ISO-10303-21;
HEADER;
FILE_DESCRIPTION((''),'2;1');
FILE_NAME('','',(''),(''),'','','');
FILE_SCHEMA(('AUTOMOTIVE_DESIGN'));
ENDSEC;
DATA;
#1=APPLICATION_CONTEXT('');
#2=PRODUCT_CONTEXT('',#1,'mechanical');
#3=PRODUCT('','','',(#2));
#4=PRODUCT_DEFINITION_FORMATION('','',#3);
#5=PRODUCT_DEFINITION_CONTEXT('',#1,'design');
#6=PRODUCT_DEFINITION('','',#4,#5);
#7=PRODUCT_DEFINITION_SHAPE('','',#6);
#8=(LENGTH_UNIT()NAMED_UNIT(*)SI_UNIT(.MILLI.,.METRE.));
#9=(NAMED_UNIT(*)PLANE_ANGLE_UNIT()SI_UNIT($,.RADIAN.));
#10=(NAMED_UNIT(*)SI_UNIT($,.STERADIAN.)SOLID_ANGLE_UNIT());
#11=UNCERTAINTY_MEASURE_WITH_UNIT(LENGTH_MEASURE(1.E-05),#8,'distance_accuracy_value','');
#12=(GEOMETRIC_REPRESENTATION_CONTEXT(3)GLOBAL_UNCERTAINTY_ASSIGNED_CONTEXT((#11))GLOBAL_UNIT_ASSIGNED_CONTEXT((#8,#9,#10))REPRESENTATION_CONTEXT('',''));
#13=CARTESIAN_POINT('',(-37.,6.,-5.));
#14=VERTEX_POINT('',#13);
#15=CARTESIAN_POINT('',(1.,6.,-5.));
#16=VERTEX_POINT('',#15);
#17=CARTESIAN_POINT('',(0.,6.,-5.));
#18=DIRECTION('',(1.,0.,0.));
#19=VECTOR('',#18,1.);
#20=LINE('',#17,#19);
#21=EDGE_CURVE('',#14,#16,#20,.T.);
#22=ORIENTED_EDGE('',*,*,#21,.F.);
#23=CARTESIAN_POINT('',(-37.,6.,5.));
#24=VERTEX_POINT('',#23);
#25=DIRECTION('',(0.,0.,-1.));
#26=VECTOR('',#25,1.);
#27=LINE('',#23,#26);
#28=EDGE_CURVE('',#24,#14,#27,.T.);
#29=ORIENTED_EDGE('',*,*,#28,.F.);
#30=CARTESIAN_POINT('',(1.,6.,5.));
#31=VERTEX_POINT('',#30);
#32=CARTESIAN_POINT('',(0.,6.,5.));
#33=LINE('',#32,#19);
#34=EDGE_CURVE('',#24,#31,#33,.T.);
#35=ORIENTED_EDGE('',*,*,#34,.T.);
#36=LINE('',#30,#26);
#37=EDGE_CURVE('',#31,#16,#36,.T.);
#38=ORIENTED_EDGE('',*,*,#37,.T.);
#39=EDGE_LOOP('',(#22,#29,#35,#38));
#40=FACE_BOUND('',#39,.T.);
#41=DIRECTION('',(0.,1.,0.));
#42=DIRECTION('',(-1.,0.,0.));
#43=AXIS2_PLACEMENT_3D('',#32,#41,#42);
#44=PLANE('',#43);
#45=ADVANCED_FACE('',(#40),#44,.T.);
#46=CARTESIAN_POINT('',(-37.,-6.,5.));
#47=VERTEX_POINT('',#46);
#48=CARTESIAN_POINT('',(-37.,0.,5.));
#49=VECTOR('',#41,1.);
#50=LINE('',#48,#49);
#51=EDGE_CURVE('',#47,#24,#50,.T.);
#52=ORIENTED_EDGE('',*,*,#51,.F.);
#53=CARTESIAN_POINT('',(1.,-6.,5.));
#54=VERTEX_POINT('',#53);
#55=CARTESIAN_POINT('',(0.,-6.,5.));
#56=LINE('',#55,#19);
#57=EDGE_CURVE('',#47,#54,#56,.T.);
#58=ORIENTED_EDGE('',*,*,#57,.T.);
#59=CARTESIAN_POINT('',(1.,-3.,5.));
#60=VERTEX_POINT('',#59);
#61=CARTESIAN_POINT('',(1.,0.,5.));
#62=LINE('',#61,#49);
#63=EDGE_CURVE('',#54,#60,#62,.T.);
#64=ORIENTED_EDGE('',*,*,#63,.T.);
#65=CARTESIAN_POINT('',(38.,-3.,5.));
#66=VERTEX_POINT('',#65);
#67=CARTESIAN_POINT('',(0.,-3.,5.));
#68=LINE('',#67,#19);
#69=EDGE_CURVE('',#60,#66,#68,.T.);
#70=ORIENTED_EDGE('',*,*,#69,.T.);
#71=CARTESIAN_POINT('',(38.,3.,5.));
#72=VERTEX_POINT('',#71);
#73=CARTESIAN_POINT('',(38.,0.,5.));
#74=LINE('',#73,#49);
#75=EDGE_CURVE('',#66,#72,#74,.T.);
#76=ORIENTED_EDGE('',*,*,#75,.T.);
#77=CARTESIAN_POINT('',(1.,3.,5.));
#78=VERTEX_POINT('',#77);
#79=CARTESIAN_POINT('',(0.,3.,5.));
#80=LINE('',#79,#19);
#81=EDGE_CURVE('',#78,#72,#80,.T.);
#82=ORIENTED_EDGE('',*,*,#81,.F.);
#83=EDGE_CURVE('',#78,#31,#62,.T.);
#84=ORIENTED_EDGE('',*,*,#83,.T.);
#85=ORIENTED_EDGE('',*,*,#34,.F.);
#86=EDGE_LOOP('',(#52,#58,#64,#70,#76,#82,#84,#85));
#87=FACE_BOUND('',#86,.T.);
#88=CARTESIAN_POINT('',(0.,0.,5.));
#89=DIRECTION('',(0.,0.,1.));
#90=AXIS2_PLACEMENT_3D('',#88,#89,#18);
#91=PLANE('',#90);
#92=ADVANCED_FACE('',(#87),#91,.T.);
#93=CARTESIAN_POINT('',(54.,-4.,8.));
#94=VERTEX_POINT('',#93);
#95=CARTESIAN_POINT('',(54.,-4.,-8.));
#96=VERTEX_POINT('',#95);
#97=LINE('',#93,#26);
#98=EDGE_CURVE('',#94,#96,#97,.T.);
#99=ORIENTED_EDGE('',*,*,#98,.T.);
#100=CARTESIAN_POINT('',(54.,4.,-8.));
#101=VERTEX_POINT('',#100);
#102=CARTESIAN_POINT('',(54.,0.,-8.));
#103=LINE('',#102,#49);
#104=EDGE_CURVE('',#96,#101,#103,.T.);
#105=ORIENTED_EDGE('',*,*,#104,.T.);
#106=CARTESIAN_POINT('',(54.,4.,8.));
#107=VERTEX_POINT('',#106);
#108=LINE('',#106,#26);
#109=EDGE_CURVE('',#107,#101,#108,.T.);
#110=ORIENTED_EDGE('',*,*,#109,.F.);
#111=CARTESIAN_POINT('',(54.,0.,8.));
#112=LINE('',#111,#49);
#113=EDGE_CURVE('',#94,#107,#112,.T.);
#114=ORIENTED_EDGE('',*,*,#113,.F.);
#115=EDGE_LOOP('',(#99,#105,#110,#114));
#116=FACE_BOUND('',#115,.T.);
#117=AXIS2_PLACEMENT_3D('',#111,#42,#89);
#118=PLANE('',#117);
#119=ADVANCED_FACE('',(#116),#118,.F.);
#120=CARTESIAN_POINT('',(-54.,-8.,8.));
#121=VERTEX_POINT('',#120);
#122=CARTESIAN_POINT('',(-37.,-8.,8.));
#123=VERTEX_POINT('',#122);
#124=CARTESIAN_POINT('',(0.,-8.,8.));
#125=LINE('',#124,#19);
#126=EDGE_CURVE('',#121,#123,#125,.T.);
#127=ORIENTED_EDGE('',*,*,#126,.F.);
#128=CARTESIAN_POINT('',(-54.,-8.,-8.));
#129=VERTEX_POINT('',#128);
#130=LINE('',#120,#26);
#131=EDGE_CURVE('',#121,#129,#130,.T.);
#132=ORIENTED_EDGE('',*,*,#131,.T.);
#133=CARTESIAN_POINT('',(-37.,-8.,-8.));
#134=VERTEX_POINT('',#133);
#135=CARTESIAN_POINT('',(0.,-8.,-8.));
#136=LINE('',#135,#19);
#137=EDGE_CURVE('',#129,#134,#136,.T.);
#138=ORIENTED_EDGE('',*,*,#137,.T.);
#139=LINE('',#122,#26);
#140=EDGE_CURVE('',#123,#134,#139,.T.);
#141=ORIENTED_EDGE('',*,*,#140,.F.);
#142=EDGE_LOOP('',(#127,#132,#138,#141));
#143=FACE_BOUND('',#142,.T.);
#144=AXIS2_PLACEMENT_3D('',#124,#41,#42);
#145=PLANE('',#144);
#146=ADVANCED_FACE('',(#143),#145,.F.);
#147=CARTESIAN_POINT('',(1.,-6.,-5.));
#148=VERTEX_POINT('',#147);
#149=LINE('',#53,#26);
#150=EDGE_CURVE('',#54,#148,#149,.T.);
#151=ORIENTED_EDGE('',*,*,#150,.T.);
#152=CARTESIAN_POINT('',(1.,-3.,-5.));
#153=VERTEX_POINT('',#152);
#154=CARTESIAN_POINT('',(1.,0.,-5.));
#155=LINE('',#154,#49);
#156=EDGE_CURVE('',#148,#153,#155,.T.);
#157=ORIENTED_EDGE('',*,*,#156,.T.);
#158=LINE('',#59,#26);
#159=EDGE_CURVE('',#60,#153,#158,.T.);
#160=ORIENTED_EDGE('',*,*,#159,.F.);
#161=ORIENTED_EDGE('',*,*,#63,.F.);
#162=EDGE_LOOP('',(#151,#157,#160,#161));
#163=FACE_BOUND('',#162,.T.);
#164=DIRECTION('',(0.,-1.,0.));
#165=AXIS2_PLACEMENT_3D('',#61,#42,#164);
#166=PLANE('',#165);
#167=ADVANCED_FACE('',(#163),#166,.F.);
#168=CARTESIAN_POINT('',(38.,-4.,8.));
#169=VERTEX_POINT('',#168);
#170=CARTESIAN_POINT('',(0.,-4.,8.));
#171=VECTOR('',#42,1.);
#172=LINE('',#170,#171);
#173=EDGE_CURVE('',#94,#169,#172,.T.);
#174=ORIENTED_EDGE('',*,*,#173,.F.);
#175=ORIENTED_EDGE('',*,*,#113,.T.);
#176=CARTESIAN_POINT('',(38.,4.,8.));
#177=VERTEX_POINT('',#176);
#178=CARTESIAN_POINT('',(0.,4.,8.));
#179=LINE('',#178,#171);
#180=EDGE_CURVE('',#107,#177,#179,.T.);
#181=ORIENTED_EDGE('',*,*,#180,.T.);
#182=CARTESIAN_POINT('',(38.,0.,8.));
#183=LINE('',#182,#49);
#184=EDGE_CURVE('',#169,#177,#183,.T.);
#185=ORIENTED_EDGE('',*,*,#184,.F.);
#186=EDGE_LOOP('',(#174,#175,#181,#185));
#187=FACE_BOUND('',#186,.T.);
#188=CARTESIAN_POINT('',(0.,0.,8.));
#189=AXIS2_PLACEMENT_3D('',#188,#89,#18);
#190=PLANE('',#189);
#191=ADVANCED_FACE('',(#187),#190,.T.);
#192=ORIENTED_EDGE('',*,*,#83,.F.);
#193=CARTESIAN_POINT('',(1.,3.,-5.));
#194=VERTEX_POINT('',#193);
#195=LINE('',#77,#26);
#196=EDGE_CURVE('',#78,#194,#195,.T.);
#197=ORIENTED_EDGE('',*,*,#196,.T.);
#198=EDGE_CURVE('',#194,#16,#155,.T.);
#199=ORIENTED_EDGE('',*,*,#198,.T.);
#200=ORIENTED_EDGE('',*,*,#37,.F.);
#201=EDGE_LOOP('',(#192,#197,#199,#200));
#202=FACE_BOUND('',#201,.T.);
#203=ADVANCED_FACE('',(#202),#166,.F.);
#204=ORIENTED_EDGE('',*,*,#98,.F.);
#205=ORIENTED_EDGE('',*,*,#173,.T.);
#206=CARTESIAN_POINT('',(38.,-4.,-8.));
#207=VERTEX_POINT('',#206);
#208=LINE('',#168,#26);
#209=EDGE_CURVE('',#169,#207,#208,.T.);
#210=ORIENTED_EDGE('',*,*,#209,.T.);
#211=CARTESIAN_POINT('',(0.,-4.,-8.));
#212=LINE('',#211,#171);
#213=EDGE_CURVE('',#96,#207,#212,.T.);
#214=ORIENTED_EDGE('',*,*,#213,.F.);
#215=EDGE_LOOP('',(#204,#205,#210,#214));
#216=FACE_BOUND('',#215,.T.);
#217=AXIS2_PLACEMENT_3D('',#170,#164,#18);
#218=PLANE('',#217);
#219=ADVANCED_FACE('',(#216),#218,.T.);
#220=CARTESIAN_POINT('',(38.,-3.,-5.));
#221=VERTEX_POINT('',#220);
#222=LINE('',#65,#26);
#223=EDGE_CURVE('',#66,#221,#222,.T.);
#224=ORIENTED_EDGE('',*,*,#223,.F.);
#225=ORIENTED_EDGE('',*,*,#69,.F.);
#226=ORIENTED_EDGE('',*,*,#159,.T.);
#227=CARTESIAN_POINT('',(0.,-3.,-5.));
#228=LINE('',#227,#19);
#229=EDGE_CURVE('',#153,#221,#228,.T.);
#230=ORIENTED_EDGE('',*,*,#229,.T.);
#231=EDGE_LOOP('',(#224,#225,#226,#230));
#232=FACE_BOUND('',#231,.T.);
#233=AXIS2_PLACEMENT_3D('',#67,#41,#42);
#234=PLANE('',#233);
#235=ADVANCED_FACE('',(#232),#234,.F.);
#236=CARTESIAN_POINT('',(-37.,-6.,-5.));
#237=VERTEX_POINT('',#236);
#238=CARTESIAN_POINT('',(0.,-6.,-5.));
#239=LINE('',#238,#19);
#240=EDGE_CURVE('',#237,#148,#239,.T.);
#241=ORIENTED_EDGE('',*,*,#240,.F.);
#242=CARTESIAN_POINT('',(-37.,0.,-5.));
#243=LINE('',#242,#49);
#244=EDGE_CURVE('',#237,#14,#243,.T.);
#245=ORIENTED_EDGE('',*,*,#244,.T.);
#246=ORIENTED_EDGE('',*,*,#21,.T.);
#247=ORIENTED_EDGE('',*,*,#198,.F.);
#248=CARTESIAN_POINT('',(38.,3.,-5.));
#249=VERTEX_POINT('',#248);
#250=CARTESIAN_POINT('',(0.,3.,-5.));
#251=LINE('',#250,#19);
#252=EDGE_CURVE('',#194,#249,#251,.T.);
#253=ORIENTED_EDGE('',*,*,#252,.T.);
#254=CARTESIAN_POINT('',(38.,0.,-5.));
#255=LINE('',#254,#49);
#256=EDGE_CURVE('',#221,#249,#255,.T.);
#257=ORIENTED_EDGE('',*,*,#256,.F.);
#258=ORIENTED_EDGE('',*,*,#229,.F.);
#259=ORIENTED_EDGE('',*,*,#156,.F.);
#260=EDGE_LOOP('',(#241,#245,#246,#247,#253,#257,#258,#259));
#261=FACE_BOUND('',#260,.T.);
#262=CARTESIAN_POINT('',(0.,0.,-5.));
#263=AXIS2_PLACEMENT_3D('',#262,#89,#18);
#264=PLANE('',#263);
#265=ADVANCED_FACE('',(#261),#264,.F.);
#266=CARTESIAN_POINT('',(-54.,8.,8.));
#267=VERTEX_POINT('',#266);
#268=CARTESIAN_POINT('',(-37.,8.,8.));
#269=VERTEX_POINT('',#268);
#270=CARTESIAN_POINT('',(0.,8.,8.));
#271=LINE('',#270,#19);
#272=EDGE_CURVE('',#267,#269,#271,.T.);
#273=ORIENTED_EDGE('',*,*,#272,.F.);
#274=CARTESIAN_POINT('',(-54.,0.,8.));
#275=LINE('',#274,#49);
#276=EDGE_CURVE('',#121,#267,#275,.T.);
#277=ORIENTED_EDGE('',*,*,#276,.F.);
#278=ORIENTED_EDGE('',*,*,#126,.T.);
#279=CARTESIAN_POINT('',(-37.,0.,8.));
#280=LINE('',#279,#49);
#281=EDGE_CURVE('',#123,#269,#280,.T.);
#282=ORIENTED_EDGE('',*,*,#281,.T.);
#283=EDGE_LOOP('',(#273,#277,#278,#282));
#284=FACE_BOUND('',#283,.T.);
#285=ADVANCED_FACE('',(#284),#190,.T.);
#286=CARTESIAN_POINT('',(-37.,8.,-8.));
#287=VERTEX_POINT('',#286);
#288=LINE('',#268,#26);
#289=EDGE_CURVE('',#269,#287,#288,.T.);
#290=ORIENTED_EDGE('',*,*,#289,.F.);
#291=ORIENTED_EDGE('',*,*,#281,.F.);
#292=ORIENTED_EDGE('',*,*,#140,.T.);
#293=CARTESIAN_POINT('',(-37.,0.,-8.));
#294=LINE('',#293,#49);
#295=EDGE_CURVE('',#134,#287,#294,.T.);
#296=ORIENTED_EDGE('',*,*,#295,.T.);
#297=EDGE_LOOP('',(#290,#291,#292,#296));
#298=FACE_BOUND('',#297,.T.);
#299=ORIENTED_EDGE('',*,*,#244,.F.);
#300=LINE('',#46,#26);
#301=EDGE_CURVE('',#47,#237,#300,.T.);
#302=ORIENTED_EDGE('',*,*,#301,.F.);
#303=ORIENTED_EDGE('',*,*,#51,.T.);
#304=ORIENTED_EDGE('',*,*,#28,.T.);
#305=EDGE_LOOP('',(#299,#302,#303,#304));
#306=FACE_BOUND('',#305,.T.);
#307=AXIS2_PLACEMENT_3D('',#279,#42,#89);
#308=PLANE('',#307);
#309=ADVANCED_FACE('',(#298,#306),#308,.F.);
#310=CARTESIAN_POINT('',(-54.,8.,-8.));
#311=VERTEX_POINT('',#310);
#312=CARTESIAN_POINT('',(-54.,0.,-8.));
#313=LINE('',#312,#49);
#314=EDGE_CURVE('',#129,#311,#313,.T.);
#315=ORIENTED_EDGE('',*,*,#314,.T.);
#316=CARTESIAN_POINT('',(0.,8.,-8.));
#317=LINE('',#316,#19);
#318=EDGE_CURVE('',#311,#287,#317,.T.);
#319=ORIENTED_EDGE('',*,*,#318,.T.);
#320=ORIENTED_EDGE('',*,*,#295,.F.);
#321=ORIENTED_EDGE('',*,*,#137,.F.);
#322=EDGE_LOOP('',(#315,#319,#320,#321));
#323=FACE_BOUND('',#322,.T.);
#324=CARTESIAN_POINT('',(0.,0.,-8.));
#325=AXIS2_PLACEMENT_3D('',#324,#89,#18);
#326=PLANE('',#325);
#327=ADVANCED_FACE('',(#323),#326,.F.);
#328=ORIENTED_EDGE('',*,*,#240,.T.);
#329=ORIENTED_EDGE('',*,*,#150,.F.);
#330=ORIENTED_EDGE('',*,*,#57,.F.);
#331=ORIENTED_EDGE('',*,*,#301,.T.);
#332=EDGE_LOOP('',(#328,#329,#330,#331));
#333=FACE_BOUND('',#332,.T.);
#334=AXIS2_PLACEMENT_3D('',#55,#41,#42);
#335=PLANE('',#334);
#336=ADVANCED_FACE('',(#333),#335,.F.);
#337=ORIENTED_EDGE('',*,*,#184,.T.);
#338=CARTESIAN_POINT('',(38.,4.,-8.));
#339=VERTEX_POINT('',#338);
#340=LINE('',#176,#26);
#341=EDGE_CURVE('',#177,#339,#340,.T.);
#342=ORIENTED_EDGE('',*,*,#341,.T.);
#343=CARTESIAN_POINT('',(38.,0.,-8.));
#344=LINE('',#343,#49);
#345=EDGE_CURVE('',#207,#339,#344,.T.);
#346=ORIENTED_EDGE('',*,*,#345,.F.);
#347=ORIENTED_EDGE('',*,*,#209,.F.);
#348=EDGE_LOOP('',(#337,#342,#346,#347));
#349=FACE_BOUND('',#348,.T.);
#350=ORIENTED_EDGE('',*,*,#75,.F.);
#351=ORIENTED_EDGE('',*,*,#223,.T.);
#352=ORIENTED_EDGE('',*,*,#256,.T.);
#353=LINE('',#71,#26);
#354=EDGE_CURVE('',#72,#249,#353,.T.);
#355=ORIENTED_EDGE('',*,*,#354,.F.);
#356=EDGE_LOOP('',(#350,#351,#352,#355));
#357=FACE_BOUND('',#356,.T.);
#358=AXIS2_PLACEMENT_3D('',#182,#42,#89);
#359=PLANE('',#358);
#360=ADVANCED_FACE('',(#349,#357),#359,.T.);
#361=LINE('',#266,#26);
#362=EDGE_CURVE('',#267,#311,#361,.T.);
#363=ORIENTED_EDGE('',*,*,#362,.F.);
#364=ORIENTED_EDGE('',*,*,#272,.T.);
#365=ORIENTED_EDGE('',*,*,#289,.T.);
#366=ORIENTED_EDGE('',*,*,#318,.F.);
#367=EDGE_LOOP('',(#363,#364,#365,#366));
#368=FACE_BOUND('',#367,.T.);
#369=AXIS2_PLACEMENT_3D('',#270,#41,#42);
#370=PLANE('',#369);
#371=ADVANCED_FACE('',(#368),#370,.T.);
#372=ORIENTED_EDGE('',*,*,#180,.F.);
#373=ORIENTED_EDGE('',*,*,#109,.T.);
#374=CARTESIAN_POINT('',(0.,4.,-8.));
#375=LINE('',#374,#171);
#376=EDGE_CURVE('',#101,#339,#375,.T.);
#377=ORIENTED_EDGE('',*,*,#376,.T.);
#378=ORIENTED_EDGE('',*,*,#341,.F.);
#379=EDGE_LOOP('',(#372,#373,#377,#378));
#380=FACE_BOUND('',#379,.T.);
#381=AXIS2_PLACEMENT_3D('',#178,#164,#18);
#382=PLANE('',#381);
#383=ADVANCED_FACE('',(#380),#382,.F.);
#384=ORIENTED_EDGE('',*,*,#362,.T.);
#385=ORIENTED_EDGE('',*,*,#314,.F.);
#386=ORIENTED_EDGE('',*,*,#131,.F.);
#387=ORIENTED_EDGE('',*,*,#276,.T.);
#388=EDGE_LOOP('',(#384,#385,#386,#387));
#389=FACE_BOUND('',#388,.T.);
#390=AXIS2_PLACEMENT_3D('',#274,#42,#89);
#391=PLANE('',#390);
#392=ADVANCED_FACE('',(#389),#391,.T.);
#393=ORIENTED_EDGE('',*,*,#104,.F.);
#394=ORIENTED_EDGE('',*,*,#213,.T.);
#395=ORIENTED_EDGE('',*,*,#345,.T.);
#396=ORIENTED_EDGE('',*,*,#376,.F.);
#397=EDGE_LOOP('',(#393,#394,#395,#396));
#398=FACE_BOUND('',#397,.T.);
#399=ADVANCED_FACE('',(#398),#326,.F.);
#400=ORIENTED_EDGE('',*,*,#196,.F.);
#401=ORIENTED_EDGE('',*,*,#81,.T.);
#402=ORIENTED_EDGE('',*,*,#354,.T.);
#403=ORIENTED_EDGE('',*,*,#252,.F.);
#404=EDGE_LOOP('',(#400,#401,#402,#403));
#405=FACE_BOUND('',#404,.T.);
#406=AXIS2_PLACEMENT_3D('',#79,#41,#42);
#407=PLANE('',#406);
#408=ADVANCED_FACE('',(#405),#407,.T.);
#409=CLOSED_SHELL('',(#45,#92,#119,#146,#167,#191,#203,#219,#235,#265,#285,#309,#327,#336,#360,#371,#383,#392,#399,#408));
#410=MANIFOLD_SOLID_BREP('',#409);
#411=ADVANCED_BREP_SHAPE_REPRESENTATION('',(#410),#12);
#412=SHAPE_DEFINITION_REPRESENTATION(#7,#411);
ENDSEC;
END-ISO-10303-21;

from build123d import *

# Parameters (mm, degrees)
SKETCH1_W             = 17
SKETCH1_H             = 16
BOSS_EXTRUDE1_DEPTH   = 8
SKETCH1_W_2           = 16
SKETCH1_H_2           = 8
BOSS_EXTRUDE1_2_DEPTH = 8
SKETCH1_3_W           = 37
SKETCH1_3_H           = 6
BOSS_EXTRUDE2_DEPTH   = 5


with BuildPart() as part:
    # Sketch1 → Boss-Extrude1 (new, symmetric)
    with BuildSketch(Plane.XY):
        with Locations((-45.5, 0)):
            Rectangle(SKETCH1_W, SKETCH1_H)
    extrude(amount=BOSS_EXTRUDE1_DEPTH, both=True)



with BuildPart() as body_2:
    # Sketch1 → Boss-Extrude1 2 (new, symmetric)
    with BuildSketch(Plane.XY):
        with Locations((46, 0)):
            Rectangle(SKETCH1_W_2, SKETCH1_H_2)
    extrude(amount=BOSS_EXTRUDE1_2_DEPTH, both=True)


with BuildPart() as part_1:
    add(part.part)

    add(body_2.part)  # Boss-Extrude2 merges body 2
    # Sketch1<3> → Boss-Extrude2 (add, symmetric)
    with BuildSketch(Plane.XY):
        Polygon((1, -6), (1, -3), (1, 3), (1, 6), (-37, 6), (-37, -6), align=None)
        with Locations((19.5, 0)):
            Rectangle(SKETCH1_3_W, SKETCH1_3_H)
    extrude(amount=BOSS_EXTRUDE2_DEPTH, both=True)


solid = part_1.part
